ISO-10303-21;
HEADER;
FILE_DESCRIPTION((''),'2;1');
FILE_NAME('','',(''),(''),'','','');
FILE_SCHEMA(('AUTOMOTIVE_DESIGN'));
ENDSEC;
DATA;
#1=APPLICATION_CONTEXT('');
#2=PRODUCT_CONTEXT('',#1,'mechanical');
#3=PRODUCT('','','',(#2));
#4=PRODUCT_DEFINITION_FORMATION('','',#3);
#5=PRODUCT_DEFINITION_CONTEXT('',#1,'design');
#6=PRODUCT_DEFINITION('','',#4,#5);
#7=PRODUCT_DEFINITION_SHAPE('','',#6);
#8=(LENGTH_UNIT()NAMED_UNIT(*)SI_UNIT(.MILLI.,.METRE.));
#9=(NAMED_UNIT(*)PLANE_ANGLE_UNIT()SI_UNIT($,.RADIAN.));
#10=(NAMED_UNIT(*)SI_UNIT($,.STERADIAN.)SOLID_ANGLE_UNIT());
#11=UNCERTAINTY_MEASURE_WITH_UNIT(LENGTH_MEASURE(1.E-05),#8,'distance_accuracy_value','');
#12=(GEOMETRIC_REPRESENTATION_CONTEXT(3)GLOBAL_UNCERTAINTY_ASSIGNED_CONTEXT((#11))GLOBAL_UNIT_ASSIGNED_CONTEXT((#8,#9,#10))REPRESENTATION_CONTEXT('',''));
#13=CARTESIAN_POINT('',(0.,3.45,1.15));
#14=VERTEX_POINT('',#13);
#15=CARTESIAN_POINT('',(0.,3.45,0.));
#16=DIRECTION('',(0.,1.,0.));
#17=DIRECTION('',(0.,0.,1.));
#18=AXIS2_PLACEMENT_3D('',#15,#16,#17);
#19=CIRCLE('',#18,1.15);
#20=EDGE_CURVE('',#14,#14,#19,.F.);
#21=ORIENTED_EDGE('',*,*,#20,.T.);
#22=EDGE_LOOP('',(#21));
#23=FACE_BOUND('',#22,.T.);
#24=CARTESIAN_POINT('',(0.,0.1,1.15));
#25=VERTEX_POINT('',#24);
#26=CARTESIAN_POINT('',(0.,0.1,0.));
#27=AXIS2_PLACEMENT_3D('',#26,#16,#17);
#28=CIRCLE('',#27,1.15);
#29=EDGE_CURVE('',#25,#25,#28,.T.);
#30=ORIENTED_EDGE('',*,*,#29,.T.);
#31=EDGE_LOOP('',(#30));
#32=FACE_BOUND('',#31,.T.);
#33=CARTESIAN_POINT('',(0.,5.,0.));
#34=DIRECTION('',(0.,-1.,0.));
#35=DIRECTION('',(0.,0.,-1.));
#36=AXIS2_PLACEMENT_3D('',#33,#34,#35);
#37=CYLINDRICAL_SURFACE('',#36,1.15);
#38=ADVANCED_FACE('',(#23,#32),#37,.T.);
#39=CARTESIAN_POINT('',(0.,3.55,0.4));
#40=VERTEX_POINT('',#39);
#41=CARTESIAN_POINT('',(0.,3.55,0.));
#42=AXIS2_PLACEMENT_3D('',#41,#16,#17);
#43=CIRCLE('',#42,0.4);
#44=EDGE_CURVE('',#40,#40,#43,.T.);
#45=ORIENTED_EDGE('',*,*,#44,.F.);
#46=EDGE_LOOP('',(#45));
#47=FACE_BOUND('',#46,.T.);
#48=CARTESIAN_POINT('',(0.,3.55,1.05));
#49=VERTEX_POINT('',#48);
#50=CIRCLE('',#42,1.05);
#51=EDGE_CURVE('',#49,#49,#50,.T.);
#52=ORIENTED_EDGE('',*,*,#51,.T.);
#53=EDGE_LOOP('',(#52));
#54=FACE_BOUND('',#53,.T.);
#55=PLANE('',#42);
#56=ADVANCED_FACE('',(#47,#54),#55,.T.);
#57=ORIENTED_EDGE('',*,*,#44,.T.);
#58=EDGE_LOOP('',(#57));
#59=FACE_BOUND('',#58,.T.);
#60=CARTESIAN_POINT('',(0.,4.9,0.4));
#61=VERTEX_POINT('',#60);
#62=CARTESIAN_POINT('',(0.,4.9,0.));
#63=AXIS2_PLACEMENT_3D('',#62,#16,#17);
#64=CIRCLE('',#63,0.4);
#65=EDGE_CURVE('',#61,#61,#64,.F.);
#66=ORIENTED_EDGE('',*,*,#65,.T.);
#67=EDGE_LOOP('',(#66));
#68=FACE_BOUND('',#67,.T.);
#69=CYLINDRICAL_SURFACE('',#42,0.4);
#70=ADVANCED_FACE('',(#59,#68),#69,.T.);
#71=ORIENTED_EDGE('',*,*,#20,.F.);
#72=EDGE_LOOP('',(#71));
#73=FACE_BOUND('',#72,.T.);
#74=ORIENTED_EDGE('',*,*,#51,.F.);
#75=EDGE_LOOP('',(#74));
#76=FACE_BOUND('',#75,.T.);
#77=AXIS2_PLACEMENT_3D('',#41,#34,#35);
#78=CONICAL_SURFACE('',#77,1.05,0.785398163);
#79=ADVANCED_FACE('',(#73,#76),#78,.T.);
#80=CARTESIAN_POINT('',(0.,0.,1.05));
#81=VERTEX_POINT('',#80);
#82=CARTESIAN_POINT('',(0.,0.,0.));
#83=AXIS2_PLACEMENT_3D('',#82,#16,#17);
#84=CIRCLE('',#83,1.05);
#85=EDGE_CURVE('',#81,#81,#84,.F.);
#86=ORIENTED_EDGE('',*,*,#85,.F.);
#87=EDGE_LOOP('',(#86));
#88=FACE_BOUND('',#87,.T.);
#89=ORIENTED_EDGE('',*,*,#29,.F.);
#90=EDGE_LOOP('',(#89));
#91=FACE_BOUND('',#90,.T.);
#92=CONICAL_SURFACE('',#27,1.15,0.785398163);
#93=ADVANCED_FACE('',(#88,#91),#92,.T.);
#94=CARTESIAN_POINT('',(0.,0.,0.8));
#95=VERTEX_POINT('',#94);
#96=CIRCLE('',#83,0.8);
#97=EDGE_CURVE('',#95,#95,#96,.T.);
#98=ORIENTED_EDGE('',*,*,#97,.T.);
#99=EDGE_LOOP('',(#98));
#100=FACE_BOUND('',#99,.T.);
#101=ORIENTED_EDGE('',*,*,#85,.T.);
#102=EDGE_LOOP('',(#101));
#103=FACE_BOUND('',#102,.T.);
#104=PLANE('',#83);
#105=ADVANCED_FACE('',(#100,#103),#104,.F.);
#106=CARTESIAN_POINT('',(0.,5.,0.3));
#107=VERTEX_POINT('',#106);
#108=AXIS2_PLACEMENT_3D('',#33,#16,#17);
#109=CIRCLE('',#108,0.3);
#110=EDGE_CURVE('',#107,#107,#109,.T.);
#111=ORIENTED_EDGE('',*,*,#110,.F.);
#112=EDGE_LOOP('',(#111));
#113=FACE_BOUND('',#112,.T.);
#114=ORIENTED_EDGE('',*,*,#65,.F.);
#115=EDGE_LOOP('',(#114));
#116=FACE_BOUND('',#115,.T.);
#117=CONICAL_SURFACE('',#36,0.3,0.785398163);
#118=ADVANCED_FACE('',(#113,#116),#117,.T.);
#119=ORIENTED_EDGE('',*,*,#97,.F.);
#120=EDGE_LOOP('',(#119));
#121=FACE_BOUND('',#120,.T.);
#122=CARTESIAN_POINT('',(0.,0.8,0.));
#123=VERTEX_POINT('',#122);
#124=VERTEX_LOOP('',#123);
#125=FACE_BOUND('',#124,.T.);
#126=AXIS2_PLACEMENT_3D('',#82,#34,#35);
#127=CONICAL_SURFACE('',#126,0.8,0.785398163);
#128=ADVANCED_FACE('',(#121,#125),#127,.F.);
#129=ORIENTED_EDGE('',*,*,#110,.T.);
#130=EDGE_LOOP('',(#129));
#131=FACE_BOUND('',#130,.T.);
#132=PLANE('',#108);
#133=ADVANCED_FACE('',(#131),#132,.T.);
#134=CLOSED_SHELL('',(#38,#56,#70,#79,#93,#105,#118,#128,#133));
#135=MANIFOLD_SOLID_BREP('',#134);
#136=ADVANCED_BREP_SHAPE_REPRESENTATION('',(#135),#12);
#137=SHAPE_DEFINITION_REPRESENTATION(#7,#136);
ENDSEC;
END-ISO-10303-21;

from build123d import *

# Parameters (mm, degrees)
SKETCH1_R           = 1.15
BOSS_EXTRUDE1_DEPTH = 5
SKETCH2_OUTSIDE_W   = 5.492
SKETCH2_OUTSIDE_H   = 5.492
SKETCH2_OUTSIDE_R   = 0.4
CUT_EXTRUDE1_DEPTH  = 1.45
CHAMFER1_SIZE       = 0.1
CHAMFER2_SIZE       = 0.1


with BuildPart() as part:
    # Sketch1 → Boss-Extrude1 (new body)
    with BuildSketch(Plane(origin=(0, 0, 0), x_dir=(1, 0, 0), z_dir=(0, 1, 0))):
        Circle(SKETCH1_R)
    extrude(amount=BOSS_EXTRUDE1_DEPTH)

    # Sketch2 outside → Cut-Extrude1 (cut)
    with BuildSketch(Plane(origin=(0, 5, 0), x_dir=(1, 0, 0), z_dir=(0, 1, 0))):
        Rectangle(SKETCH2_OUTSIDE_W, SKETCH2_OUTSIDE_H)
        Circle(SKETCH2_OUTSIDE_R, mode=Mode.SUBTRACT)
    extrude(amount=-CUT_EXTRUDE1_DEPTH, mode=Mode.SUBTRACT)

    # Chamfer1
    chamfer1_edges = [part.edges().sort_by_distance(p)[0] for p in [
        (-1.15, 0, 0),
        (-1.15, 3.55, 0),
    ]]
    chamfer(chamfer1_edges, length=CHAMFER1_SIZE)

    # Chamfer2
    chamfer2_edges = [part.edges().sort_by_distance(p)[0] for p in [
        (-0.4, 5, 0),
    ]]
    chamfer(chamfer2_edges, length=CHAMFER2_SIZE)

    # Sketch3 → Cut-Revolve1 (revolve, cut)
    with BuildSketch(Plane.XY):
        Polygon((0, 0), (0, 0.8), (0.8, 0), align=None)
    revolve(axis=Axis((0, 5, 0), (0, -1, 0)), mode=Mode.SUBTRACT)


solid = part.part
